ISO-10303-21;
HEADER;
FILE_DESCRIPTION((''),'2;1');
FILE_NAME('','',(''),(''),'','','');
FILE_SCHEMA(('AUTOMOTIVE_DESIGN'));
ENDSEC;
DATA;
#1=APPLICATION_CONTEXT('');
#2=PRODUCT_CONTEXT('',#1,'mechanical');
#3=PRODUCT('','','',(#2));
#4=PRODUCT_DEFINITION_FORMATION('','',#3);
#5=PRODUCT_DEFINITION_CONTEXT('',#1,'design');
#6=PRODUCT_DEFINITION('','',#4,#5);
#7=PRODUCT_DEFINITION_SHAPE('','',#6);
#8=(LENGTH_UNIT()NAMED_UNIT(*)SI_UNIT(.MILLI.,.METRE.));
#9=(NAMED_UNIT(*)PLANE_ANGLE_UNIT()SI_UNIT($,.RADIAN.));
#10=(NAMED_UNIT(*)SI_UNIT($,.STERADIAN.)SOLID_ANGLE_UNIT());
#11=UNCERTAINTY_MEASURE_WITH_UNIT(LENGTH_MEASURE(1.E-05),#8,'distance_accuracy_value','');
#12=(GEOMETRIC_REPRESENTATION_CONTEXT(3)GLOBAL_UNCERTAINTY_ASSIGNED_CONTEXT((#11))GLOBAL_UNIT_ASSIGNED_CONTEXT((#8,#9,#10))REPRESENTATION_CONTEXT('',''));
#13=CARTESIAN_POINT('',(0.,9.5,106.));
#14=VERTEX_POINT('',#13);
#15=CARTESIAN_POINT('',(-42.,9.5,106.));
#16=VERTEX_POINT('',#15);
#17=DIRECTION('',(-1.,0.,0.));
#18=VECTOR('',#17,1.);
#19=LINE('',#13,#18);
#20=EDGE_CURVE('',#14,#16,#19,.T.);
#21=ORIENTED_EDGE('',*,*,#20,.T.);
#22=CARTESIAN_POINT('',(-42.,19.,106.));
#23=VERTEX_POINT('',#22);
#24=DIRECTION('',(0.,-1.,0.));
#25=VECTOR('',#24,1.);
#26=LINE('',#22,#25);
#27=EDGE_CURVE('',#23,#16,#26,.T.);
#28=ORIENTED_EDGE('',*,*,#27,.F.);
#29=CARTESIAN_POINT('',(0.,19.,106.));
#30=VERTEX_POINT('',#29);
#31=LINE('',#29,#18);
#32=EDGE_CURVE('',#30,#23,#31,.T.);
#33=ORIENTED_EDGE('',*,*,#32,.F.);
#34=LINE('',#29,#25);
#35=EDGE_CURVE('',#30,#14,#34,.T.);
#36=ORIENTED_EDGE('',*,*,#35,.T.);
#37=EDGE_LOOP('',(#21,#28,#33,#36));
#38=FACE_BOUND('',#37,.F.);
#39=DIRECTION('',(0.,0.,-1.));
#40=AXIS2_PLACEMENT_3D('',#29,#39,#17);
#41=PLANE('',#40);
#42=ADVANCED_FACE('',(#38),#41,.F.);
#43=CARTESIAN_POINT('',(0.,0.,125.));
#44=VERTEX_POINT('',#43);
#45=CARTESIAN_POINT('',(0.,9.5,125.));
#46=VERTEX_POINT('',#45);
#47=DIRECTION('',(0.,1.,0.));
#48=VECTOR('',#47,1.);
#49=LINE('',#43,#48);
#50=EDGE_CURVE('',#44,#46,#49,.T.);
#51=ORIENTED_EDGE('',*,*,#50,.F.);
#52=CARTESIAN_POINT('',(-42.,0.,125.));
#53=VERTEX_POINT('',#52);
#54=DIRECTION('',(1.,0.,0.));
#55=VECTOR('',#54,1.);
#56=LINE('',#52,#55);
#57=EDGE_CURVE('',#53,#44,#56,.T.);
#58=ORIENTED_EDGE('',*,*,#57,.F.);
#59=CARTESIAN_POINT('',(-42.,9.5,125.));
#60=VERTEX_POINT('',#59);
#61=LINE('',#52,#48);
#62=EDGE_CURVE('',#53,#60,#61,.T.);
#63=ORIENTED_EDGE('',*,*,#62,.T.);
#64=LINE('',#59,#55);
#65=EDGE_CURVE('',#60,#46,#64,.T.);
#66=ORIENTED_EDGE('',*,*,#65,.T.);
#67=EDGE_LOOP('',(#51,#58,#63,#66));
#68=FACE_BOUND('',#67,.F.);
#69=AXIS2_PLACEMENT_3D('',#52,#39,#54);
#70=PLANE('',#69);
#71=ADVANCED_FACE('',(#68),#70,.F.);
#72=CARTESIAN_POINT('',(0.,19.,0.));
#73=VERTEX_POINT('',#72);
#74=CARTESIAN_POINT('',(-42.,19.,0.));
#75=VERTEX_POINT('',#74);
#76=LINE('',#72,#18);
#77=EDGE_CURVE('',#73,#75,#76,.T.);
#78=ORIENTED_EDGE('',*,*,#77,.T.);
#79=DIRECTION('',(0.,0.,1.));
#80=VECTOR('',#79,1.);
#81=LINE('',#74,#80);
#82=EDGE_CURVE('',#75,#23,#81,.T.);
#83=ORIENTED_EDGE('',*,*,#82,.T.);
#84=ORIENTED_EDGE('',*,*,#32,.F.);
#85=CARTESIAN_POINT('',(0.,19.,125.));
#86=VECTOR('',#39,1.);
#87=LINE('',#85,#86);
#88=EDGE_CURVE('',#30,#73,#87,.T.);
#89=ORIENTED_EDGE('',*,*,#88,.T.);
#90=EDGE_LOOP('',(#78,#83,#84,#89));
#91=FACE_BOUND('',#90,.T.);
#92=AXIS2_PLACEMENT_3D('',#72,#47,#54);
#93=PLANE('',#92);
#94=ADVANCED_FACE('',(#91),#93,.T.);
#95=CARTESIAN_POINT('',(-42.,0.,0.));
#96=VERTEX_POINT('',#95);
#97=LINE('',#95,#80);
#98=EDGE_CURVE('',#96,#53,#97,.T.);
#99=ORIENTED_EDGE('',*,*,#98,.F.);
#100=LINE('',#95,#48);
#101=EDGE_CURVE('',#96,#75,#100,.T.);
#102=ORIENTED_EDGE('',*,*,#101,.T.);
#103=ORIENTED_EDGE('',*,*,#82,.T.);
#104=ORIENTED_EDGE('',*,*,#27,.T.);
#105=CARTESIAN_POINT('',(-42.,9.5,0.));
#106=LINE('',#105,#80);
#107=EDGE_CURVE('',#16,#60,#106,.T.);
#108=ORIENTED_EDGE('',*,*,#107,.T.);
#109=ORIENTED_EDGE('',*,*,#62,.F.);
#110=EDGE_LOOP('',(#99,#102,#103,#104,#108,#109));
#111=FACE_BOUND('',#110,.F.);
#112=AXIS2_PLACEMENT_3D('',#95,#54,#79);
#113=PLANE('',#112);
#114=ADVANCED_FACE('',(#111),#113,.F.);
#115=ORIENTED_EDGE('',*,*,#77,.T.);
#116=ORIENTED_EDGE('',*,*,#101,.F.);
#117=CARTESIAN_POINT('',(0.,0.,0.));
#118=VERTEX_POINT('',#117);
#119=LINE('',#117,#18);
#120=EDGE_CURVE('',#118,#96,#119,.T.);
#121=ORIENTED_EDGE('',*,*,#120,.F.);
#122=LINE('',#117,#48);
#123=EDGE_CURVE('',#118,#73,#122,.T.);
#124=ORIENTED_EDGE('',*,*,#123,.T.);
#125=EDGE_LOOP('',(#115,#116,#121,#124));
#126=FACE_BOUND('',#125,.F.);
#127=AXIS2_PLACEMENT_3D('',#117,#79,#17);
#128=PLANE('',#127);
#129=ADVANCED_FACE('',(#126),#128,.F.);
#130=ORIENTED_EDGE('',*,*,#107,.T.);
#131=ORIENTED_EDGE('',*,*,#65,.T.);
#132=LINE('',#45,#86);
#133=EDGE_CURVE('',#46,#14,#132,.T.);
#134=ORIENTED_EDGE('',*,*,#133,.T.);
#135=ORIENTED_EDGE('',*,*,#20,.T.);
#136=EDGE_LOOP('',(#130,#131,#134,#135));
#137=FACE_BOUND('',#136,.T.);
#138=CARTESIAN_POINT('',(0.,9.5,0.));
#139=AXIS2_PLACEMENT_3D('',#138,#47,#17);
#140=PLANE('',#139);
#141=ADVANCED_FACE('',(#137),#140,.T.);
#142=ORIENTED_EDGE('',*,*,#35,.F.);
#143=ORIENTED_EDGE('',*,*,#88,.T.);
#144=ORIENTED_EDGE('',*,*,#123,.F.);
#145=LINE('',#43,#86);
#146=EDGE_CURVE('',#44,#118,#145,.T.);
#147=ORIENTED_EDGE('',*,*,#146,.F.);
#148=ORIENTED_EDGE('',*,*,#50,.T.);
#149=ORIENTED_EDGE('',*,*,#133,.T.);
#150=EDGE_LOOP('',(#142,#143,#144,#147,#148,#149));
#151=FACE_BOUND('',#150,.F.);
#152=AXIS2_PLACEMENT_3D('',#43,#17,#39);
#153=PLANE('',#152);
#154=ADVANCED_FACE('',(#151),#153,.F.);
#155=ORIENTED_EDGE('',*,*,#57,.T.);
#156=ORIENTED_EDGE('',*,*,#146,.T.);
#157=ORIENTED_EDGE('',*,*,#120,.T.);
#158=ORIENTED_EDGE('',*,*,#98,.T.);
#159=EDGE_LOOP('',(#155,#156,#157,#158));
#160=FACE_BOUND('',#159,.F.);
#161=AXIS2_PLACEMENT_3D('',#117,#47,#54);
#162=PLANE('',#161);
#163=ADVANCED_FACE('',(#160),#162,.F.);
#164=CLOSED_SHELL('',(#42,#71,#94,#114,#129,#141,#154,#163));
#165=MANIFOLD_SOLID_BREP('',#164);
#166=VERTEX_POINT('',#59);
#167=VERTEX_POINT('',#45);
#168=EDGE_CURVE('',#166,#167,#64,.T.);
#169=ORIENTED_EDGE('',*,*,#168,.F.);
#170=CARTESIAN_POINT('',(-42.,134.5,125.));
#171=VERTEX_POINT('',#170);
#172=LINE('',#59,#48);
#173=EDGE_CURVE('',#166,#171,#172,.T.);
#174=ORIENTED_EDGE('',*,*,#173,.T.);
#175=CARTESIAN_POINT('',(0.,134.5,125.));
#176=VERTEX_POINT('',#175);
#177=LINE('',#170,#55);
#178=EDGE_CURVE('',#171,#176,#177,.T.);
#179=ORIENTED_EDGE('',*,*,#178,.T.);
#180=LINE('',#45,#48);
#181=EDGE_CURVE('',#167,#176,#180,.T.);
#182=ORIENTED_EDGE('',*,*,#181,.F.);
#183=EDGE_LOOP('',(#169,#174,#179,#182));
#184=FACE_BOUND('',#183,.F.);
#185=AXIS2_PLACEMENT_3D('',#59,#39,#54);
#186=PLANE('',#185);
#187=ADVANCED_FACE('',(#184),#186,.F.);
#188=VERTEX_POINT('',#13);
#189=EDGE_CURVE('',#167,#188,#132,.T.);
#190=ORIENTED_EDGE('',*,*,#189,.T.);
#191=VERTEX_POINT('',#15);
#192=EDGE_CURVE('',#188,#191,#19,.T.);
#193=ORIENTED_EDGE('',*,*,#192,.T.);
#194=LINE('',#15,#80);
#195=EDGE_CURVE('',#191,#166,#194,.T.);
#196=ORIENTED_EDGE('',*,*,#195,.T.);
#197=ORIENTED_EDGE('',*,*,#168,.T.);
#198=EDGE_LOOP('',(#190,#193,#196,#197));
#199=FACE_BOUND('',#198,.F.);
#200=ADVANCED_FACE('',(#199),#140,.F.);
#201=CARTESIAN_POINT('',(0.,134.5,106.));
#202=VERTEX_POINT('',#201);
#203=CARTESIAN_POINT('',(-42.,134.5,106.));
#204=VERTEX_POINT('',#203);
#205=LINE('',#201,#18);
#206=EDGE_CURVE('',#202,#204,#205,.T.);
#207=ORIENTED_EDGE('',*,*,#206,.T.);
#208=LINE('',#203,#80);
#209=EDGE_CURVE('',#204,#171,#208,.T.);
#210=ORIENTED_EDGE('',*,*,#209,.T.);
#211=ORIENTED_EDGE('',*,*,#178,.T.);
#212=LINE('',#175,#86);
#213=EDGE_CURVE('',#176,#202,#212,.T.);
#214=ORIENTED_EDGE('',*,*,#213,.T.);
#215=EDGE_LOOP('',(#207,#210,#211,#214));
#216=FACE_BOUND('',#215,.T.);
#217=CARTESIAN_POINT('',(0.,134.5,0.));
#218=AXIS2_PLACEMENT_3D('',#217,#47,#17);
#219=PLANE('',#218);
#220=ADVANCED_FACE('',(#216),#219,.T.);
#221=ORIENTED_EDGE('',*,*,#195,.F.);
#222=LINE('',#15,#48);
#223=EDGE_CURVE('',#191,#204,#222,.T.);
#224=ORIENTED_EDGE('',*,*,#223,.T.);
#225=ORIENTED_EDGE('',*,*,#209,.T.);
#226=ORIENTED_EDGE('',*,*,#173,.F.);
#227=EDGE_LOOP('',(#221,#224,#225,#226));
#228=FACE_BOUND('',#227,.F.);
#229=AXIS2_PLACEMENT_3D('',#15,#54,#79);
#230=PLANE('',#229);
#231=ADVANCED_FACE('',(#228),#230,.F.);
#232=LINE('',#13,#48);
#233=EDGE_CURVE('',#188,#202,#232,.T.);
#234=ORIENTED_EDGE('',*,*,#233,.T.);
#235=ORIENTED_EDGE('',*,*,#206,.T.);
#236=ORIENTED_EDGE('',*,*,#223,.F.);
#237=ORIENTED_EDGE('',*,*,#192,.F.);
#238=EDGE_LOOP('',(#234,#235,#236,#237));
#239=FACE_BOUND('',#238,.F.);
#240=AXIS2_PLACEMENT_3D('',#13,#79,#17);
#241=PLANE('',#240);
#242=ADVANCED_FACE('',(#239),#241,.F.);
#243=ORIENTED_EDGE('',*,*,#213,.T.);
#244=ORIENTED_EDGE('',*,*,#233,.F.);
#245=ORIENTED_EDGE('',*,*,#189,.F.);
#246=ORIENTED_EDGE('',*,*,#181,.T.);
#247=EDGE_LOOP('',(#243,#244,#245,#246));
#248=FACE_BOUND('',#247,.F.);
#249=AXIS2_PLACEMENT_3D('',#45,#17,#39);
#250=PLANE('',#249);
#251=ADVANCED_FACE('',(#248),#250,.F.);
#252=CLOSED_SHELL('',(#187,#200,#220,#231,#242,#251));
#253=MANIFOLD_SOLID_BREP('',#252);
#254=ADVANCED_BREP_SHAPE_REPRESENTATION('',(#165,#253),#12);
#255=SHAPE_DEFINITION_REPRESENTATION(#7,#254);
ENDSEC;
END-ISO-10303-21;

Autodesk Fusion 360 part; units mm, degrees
sketch "First piece" plane through (0, 0, 0) normal (0, 1, 0) x (1, 0, 0)
  line L0 (0, 0) -> (-42, 0)
  line L1 (-42, 0) -> (-42, -125)
  line L2 (-42, -125) -> (0, -125)
  line L3 (0, -125) -> (0, 0)
  dimension "d6" = 42
  dimension "d7" = 125
extrude "Extrude1" add sketch "First piece" along normal blind 19 makes body 1
sketch "Cut" plane through (0, 19, 0) normal (0, 1, 0) x (-1, 0, 0)
  line L0 (0, 125) -> (0, 0)
  line L1 (0, 0) -> (42, 0)
  line L2 (42, 0) -> (42, 125)
  line L3 (42, 125) -> (0, 125)
  line L4 (42, 125) -> (0, 125)
  line L5 (0, 125) -> (0, 106)
  line L6 (0, 106) -> (42, 106)
  line L7 (42, 106) -> (42, 125)
  dimension "d10" = 42
  dimension "d11" = 19
extrude "Extrude2" cut sketch "Cut" against normal blind 9.5 contours L0 L2 L3 L4 L5 L6 L7 bodies 1
copy_body "Body->Comp1" bodies 1 removing the originals makes body 2 in component "First Piece"
sketch "Second Piece" plane through (0, 9.5, 0) normal (0, 1, 0) x (-1, 0, 0)
  line L0 (42, 106) -> (42, 125)
  line L1 (42, 125) -> (0, 125)
  line L2 (0, 125) -> (0, 106)
  line L3 (0, 106) -> (42, 106)
  line L4 (0, 125) -> (42, 125)
  line L5 (42, 125) -> (42, 106)
  line L6 (42, 106) -> (0, 106)
  line L7 (0, 106) -> (0, 125)
extrude "Extrude1'" add sketch "Second Piece" along normal blind 125 separate body makes body 3 in component "Second Piece"
component "First Piece" placed x (1, 0, 0) y (0, 1, 0) z (0, 0, 1) at (0, 0, 0)
component "Second Piece" placed x (1, 0, 0) y (0, 1, 0) z (0, 0, 1) at (0, 0, 0)
equation "lenght = 125 mm"
equation "width = 42 mm"
equation "thickness = 19 mm"
equation "d6 = width"
equation "d7 = lenght"
equation "d8 = thickness"
equation "d10 = width"
equation "d11 = thickness"
equation "d12 = -thickness / 2"
equation "d14 = lenght"
